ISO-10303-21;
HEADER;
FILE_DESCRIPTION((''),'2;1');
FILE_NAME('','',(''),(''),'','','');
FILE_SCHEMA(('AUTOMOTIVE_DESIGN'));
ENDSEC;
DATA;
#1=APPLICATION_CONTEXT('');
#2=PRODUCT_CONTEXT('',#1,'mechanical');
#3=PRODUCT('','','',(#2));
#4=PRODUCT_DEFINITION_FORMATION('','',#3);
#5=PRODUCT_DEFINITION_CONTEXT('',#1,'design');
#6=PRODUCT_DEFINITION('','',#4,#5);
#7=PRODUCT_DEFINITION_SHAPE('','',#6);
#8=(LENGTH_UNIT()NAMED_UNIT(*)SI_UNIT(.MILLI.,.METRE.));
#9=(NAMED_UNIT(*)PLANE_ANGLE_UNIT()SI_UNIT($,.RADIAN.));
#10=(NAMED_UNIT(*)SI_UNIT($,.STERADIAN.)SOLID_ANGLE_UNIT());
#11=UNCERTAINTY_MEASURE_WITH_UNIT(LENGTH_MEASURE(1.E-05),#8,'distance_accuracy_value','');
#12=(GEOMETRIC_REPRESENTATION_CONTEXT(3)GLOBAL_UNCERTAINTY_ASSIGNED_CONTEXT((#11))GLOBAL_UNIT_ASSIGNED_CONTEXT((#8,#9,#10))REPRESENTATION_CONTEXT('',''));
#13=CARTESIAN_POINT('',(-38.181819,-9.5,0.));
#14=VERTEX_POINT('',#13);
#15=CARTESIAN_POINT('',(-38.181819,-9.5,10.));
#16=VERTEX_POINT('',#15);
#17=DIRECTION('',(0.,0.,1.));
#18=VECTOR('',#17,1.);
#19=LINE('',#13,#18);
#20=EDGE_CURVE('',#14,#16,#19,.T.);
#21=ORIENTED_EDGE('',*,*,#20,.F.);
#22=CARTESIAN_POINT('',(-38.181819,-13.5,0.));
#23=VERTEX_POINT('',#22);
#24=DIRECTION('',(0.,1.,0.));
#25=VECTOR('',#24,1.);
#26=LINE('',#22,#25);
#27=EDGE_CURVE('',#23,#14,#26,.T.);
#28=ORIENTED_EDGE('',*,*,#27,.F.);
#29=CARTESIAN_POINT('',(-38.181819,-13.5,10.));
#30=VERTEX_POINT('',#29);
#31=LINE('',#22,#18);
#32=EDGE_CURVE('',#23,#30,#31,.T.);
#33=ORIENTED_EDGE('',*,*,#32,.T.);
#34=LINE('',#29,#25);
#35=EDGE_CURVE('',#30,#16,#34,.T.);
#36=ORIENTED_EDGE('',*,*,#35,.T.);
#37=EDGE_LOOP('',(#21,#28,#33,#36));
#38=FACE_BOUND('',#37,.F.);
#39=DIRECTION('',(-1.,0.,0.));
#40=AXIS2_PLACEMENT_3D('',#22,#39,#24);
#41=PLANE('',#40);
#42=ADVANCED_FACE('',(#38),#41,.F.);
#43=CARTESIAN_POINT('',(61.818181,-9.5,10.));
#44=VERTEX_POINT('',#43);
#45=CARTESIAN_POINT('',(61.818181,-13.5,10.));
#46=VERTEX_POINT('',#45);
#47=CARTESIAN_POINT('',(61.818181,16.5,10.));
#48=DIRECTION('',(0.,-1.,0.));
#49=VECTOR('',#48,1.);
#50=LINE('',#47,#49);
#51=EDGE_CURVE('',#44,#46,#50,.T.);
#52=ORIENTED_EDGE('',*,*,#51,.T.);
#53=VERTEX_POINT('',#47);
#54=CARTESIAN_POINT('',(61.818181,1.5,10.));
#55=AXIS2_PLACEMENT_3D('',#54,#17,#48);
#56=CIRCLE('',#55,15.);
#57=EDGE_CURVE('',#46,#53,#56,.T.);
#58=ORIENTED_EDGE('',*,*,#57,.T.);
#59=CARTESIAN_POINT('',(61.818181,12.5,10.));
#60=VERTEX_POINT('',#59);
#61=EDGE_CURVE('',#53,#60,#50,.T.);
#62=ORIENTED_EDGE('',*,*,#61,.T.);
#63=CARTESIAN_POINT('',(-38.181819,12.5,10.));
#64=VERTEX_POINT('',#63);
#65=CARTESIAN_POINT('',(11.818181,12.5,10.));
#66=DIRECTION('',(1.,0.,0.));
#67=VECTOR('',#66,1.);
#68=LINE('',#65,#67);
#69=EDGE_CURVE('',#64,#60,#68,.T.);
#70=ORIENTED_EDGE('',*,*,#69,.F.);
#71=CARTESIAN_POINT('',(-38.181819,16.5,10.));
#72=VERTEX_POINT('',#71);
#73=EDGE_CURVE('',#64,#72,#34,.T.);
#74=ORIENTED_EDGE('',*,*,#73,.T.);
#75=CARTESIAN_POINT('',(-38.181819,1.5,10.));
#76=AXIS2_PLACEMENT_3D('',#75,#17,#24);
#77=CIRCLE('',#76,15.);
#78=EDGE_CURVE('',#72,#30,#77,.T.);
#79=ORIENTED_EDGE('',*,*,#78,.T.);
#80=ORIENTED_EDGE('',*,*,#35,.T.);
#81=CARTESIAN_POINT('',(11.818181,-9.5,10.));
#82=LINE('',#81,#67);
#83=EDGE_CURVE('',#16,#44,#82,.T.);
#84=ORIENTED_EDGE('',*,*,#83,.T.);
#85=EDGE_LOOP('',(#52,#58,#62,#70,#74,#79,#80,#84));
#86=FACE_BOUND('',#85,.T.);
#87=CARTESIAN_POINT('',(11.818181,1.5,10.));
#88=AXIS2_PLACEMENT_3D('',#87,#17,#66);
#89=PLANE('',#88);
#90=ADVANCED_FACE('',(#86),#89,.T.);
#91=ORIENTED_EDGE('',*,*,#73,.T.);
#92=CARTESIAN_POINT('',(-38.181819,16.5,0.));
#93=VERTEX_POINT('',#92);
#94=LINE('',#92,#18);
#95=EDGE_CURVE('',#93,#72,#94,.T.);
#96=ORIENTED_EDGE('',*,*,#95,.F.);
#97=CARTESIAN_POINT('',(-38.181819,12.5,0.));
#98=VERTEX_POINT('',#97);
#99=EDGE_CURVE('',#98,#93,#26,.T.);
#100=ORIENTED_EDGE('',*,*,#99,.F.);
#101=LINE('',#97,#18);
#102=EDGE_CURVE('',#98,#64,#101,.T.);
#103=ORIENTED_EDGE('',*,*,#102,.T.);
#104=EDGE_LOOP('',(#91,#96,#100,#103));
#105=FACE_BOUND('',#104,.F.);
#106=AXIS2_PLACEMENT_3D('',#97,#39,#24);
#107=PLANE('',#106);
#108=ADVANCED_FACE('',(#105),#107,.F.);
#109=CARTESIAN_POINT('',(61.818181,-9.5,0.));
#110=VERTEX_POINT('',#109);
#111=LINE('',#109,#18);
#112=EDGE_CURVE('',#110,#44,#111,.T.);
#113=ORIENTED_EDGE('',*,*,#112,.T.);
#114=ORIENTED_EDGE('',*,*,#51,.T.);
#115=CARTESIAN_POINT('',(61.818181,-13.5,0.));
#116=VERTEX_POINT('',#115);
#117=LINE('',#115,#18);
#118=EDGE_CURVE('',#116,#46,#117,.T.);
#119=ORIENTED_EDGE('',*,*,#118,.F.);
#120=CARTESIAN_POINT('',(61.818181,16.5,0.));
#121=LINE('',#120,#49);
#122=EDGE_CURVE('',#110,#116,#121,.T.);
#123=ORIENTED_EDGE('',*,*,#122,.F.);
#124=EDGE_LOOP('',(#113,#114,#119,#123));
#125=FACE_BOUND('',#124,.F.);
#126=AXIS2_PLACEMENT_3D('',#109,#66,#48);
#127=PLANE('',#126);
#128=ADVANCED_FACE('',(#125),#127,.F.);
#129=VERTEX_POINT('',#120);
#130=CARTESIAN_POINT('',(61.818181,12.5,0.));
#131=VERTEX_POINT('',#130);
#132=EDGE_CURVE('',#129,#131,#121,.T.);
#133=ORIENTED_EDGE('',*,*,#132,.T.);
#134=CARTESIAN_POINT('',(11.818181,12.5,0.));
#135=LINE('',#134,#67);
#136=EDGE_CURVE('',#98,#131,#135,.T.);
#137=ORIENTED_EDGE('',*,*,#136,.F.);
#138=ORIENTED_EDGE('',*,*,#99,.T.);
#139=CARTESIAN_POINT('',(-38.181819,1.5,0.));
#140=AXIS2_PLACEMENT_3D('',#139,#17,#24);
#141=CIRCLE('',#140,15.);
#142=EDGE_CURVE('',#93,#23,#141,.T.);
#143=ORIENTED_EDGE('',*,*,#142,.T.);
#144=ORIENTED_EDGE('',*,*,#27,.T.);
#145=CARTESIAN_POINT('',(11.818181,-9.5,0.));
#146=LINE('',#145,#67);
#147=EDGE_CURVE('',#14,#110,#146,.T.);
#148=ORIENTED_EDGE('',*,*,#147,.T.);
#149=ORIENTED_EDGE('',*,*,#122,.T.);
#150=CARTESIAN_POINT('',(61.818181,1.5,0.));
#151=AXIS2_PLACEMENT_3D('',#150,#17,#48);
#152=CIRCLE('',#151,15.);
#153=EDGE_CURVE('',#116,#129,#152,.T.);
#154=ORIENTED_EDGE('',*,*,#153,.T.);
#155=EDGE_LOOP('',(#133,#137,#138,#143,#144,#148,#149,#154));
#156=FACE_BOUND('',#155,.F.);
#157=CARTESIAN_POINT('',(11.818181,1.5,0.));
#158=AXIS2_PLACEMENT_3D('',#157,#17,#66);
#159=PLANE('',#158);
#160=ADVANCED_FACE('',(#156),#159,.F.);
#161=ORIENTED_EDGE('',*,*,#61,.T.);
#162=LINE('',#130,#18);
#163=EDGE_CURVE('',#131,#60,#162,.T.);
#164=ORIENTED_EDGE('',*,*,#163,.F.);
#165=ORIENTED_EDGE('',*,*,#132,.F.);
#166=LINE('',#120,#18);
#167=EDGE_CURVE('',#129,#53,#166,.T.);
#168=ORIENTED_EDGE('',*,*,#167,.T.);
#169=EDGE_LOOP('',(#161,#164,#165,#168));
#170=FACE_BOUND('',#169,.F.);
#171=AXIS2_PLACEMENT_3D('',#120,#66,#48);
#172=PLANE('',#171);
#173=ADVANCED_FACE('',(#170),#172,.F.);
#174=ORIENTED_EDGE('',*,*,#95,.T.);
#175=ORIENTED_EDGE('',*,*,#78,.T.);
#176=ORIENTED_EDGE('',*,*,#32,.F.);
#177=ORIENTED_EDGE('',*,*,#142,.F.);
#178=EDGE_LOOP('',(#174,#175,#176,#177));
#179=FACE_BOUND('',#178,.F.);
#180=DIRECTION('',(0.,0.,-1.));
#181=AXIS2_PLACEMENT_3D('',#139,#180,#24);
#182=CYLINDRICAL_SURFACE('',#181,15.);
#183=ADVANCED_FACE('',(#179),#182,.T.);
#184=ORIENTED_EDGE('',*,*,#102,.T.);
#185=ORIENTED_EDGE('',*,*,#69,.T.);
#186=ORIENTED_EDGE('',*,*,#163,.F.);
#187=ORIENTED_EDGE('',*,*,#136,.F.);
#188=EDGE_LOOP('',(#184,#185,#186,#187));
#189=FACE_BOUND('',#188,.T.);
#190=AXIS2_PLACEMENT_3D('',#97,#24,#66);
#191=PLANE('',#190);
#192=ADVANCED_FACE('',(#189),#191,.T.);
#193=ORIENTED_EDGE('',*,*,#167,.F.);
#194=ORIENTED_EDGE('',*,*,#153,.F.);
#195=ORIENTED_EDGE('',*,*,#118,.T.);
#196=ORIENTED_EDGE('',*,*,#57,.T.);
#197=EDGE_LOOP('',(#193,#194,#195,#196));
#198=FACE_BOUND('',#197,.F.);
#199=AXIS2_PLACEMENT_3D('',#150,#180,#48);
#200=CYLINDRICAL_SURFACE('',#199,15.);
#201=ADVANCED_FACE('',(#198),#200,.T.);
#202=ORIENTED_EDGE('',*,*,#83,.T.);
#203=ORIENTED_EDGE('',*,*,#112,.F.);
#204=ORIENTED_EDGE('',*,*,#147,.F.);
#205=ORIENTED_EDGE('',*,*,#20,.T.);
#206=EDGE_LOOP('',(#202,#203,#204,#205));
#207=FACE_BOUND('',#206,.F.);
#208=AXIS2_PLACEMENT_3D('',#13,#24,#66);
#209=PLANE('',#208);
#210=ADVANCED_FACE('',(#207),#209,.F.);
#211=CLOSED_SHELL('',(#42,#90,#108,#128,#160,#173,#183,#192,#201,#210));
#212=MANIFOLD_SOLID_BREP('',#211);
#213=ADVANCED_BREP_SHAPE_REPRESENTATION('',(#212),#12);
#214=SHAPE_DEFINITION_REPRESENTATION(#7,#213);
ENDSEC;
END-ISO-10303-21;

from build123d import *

# Parameters (mm, degrees)
F0_W     = 100
F0_H     = 22
F1_DEPTH = 10


with BuildPart() as f1:
    # F0 (on Top) → F1 (new body)
    with BuildSketch(Plane.XY):
        with Locations((11.818181, 1.5)):
            Rectangle(F0_W, F0_H)
        with BuildLine():
            Line((-38.181819, -9.5), (-38.181819, 12.5))
            Line((-38.181819, 12.5), (-38.181819, 16.5))
            ThreePointArc((-38.181819, 16.5), (-53.181819, 1.5), (-38.181819, -13.5))
            Line((-38.181819, -13.5), (-38.181819, -9.5))
        make_face()
        with BuildLine():
            Line((61.818181, 16.5), (61.818181, 12.5))
            Line((61.818181, 12.5), (61.818181, -9.5))
            Line((61.818181, -9.5), (61.818181, -13.5))
            ThreePointArc((61.818181, -13.5), (76.818181, 1.5), (61.818181, 16.5))
        make_face()
    extrude(amount=F1_DEPTH)


solid = f1.part
